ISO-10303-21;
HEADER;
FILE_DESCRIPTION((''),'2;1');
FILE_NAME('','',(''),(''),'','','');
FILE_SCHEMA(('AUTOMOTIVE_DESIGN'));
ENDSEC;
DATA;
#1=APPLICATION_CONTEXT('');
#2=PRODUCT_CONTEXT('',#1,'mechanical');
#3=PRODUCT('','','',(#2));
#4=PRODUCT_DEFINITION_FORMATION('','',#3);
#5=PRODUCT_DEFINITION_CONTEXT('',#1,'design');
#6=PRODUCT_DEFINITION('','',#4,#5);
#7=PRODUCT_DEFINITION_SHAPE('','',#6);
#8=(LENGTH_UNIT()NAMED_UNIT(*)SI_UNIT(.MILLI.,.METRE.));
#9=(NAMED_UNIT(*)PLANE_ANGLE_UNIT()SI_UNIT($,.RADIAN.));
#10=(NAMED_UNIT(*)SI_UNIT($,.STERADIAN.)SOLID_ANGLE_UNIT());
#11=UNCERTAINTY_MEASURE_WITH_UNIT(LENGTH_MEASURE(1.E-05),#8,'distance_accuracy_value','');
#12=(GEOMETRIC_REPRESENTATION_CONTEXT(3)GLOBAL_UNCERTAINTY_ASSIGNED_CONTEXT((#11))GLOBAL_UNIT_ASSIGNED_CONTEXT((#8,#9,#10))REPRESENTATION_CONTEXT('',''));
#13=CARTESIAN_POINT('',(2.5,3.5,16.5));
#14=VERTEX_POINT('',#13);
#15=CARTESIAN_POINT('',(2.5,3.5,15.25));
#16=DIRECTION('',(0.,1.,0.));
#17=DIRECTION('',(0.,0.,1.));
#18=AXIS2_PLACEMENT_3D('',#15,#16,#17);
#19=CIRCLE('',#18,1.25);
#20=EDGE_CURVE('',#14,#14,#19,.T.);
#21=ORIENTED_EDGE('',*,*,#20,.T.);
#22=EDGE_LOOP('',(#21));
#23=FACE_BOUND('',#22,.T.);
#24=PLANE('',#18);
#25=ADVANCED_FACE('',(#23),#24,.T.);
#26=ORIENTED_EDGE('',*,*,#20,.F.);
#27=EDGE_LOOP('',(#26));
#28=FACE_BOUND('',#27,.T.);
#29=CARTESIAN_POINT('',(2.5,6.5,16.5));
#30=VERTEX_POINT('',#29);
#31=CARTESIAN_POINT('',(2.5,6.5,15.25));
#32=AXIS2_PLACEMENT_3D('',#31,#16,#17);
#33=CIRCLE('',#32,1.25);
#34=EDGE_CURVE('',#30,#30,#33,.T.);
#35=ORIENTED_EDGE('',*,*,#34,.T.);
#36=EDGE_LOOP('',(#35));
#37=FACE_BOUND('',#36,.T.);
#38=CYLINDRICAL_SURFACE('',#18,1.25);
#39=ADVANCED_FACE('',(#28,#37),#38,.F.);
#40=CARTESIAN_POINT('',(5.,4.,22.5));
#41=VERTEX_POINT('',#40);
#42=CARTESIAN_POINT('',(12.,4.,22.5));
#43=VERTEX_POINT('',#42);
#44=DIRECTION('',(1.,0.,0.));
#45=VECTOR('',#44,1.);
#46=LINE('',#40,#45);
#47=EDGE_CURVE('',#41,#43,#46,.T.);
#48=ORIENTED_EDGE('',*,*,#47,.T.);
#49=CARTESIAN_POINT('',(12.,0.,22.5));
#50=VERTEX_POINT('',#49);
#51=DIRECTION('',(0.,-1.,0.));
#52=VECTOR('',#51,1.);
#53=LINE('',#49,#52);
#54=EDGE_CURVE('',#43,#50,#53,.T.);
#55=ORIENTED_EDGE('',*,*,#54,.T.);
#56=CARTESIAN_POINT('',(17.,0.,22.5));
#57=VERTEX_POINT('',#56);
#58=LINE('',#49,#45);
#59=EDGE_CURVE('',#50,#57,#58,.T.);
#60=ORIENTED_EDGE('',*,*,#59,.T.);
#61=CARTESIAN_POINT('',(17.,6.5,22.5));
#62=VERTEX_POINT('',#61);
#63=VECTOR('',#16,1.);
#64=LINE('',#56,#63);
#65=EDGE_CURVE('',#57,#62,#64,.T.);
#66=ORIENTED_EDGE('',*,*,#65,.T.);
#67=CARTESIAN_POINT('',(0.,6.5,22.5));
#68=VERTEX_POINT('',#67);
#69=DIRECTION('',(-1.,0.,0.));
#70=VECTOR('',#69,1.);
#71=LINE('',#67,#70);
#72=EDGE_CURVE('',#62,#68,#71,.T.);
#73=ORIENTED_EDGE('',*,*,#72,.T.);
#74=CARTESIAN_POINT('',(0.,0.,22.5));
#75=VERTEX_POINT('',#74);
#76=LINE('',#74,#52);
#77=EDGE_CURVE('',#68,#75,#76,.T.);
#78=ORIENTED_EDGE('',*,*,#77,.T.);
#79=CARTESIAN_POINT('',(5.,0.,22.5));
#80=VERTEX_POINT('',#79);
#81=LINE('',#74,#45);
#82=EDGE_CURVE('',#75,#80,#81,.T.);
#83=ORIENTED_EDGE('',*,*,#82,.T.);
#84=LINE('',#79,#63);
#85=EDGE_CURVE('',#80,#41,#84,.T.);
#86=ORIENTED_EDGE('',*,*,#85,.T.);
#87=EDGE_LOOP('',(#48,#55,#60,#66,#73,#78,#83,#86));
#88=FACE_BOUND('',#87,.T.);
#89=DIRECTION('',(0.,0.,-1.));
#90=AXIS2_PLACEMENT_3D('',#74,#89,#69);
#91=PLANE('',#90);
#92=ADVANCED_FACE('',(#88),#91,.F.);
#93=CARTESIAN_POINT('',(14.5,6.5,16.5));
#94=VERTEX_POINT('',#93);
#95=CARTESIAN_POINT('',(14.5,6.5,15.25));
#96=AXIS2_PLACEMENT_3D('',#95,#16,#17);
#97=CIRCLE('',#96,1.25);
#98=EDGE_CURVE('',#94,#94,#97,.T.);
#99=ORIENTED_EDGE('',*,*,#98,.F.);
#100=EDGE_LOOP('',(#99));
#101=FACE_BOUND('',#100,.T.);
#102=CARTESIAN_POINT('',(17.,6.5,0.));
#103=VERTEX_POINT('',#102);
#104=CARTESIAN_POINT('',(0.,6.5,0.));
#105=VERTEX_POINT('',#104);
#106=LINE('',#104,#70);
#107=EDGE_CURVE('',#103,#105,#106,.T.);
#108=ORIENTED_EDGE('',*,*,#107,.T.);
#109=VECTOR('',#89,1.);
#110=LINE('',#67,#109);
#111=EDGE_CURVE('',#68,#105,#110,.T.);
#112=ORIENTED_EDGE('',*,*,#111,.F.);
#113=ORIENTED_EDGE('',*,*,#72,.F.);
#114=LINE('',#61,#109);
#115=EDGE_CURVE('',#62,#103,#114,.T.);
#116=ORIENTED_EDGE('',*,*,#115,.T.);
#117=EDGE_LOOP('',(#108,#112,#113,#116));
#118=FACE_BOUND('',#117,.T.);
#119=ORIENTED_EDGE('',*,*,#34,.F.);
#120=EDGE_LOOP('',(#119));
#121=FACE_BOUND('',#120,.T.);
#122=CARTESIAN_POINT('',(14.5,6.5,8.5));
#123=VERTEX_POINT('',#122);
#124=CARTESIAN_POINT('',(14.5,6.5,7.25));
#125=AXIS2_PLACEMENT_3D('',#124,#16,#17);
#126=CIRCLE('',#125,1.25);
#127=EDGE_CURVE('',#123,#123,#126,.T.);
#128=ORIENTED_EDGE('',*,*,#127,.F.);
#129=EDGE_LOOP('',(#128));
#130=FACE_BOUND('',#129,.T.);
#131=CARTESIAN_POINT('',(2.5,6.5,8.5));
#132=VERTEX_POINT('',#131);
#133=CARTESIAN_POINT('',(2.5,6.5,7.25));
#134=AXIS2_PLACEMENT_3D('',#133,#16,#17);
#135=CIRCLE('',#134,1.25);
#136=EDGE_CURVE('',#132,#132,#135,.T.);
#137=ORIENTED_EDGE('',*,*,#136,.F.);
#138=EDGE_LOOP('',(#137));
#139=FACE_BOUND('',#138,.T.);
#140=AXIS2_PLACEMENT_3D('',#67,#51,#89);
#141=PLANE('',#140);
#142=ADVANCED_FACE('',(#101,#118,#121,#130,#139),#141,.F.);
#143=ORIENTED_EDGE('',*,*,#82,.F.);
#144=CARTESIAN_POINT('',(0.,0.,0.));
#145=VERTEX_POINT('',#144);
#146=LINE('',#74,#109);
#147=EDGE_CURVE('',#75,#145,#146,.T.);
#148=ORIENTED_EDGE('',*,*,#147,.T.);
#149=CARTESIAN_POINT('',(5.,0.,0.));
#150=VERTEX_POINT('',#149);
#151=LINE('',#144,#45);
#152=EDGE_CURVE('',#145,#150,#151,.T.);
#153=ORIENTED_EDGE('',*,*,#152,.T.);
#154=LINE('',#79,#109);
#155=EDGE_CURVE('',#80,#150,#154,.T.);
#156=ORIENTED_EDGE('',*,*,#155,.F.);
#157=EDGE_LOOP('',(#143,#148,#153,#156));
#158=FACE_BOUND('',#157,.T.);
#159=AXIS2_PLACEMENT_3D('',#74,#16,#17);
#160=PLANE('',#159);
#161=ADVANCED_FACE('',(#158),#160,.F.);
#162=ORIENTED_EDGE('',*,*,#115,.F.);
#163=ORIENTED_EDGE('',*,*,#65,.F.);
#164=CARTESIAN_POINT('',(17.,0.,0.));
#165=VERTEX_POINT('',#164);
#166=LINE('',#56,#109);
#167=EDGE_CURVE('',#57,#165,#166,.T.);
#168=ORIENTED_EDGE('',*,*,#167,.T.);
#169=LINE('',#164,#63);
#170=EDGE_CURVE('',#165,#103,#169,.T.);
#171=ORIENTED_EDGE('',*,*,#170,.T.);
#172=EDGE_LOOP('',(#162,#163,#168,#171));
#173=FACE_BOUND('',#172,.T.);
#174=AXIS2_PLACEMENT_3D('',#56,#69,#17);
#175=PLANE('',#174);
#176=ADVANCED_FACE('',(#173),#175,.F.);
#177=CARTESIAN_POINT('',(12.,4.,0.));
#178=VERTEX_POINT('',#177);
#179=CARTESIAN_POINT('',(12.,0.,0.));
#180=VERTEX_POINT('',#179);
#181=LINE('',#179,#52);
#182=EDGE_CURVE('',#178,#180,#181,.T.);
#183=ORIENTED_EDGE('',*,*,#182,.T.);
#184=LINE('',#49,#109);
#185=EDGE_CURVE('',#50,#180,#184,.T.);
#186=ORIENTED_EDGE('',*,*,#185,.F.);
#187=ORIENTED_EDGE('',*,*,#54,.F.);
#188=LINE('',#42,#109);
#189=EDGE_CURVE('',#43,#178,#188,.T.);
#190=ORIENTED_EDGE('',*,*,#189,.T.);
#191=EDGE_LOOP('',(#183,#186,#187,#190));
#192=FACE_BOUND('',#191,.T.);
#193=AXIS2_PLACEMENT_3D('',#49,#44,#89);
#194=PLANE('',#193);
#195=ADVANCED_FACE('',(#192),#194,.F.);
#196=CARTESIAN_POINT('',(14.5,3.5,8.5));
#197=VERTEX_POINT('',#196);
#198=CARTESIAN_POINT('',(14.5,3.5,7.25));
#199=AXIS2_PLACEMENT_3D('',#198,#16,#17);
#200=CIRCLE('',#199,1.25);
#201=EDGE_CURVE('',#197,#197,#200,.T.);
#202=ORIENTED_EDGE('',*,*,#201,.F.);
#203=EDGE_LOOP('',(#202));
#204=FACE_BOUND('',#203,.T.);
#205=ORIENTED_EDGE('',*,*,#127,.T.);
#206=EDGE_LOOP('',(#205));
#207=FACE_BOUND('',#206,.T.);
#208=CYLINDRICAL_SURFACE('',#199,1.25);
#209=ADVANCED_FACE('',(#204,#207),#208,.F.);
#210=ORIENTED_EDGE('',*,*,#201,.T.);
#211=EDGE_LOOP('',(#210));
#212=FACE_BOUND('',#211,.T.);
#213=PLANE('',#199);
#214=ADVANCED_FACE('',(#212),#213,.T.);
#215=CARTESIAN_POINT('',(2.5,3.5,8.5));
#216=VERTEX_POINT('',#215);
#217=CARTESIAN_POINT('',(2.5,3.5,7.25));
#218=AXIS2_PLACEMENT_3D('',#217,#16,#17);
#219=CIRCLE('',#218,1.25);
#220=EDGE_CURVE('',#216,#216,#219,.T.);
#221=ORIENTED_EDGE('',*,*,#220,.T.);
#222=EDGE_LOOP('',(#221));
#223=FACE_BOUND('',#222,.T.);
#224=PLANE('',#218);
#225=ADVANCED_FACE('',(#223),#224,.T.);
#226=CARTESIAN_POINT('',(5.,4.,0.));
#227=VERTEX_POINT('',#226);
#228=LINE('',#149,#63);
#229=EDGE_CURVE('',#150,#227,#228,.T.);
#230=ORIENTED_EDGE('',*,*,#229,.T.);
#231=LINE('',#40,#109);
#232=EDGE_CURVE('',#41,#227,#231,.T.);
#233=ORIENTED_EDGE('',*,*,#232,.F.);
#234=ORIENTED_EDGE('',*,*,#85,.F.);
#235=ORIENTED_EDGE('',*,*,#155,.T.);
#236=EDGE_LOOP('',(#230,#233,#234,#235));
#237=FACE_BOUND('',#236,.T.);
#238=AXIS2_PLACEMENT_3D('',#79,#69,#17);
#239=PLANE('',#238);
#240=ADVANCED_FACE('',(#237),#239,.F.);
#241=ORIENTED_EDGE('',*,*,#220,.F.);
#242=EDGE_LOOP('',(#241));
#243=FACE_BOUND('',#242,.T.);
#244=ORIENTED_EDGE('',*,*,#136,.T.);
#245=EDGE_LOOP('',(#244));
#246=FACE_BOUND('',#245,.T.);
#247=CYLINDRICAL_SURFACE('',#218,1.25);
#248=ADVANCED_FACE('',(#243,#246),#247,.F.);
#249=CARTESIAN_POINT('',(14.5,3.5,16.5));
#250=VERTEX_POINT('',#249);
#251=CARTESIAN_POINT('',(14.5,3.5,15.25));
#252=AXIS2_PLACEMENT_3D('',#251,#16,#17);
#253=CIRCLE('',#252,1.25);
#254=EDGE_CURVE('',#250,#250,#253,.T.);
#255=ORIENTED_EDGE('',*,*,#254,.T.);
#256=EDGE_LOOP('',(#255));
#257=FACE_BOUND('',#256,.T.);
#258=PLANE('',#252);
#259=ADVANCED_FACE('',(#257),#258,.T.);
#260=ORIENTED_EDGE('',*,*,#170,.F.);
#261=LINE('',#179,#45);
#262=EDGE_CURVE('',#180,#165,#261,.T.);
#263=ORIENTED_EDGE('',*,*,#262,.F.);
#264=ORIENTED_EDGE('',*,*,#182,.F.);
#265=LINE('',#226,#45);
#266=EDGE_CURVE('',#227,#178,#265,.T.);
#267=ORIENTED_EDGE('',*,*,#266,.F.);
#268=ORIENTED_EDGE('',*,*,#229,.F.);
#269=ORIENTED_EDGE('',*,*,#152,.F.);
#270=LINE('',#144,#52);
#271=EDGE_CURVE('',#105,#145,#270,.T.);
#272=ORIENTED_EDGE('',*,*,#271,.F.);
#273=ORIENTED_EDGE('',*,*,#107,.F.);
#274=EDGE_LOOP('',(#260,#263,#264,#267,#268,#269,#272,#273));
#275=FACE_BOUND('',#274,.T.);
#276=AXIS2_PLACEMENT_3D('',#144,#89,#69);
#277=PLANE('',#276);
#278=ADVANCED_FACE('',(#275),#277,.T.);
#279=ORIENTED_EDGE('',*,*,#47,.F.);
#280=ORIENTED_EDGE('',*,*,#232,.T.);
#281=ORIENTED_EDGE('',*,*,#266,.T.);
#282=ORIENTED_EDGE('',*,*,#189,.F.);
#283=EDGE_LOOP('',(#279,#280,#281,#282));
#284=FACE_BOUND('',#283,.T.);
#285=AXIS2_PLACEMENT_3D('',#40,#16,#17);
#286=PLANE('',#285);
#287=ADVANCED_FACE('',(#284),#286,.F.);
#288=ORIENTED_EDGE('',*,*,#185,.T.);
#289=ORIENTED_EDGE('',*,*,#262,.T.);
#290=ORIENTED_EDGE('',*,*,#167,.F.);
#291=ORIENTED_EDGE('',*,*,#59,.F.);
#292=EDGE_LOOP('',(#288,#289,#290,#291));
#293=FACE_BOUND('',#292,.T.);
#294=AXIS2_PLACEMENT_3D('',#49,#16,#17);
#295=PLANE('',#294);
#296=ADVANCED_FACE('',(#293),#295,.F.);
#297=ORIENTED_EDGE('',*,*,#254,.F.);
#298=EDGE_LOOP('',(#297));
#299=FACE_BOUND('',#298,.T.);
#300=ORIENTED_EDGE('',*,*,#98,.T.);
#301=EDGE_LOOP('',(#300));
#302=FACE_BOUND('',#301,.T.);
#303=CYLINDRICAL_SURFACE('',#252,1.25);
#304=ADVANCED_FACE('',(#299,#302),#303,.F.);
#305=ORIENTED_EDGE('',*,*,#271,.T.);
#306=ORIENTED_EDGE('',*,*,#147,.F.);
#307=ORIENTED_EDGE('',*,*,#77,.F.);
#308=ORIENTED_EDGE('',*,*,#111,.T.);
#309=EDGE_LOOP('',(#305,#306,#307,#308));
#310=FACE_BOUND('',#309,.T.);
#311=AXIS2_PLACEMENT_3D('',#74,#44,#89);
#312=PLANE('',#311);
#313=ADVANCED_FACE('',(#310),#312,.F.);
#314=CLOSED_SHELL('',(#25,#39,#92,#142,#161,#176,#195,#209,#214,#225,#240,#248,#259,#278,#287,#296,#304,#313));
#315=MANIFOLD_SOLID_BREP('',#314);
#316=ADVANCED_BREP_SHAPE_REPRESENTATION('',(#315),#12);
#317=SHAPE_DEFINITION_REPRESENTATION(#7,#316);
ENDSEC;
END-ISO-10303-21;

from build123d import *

# Parameters (mm, degrees)
BOSS_EXTRUDE1_DEPTH = 22.5
SKETCH2_R           = 1.25
CUT_EXTRUDE1_DEPTH  = 3


with BuildPart() as part:
    # Sketch1 → Boss-Extrude1 (new body)
    with BuildSketch(Plane.XY):
        Polygon((12, 0), (17, 0), (17, 6.5), (0, 6.5), (0, 0), (5, 0), (5, 4), (12, 4), align=None)
    extrude(amount=BOSS_EXTRUDE1_DEPTH)

    # Sketch2 → Cut-Extrude1 (cut)
    with BuildSketch(Plane(origin=(0, 6.5, 0), x_dir=(1, 0, 0), z_dir=(0, 1, 0))):
        with Locations(Location((14.5, -7.25, 0), (0, 0, 270))):
            Circle(SKETCH2_R)
        with Locations(Location((2.5, -7.25, 0), (0, 0, 270))):
            Circle(SKETCH2_R)
        with Locations(Location((2.5, -15.25, 0), (0, 0, 270))):
            Circle(SKETCH2_R)
        with Locations(Location((14.5, -15.25, 0), (0, 0, 270))):
            Circle(SKETCH2_R)
    extrude(amount=-CUT_EXTRUDE1_DEPTH, mode=Mode.SUBTRACT)


solid = part.part
